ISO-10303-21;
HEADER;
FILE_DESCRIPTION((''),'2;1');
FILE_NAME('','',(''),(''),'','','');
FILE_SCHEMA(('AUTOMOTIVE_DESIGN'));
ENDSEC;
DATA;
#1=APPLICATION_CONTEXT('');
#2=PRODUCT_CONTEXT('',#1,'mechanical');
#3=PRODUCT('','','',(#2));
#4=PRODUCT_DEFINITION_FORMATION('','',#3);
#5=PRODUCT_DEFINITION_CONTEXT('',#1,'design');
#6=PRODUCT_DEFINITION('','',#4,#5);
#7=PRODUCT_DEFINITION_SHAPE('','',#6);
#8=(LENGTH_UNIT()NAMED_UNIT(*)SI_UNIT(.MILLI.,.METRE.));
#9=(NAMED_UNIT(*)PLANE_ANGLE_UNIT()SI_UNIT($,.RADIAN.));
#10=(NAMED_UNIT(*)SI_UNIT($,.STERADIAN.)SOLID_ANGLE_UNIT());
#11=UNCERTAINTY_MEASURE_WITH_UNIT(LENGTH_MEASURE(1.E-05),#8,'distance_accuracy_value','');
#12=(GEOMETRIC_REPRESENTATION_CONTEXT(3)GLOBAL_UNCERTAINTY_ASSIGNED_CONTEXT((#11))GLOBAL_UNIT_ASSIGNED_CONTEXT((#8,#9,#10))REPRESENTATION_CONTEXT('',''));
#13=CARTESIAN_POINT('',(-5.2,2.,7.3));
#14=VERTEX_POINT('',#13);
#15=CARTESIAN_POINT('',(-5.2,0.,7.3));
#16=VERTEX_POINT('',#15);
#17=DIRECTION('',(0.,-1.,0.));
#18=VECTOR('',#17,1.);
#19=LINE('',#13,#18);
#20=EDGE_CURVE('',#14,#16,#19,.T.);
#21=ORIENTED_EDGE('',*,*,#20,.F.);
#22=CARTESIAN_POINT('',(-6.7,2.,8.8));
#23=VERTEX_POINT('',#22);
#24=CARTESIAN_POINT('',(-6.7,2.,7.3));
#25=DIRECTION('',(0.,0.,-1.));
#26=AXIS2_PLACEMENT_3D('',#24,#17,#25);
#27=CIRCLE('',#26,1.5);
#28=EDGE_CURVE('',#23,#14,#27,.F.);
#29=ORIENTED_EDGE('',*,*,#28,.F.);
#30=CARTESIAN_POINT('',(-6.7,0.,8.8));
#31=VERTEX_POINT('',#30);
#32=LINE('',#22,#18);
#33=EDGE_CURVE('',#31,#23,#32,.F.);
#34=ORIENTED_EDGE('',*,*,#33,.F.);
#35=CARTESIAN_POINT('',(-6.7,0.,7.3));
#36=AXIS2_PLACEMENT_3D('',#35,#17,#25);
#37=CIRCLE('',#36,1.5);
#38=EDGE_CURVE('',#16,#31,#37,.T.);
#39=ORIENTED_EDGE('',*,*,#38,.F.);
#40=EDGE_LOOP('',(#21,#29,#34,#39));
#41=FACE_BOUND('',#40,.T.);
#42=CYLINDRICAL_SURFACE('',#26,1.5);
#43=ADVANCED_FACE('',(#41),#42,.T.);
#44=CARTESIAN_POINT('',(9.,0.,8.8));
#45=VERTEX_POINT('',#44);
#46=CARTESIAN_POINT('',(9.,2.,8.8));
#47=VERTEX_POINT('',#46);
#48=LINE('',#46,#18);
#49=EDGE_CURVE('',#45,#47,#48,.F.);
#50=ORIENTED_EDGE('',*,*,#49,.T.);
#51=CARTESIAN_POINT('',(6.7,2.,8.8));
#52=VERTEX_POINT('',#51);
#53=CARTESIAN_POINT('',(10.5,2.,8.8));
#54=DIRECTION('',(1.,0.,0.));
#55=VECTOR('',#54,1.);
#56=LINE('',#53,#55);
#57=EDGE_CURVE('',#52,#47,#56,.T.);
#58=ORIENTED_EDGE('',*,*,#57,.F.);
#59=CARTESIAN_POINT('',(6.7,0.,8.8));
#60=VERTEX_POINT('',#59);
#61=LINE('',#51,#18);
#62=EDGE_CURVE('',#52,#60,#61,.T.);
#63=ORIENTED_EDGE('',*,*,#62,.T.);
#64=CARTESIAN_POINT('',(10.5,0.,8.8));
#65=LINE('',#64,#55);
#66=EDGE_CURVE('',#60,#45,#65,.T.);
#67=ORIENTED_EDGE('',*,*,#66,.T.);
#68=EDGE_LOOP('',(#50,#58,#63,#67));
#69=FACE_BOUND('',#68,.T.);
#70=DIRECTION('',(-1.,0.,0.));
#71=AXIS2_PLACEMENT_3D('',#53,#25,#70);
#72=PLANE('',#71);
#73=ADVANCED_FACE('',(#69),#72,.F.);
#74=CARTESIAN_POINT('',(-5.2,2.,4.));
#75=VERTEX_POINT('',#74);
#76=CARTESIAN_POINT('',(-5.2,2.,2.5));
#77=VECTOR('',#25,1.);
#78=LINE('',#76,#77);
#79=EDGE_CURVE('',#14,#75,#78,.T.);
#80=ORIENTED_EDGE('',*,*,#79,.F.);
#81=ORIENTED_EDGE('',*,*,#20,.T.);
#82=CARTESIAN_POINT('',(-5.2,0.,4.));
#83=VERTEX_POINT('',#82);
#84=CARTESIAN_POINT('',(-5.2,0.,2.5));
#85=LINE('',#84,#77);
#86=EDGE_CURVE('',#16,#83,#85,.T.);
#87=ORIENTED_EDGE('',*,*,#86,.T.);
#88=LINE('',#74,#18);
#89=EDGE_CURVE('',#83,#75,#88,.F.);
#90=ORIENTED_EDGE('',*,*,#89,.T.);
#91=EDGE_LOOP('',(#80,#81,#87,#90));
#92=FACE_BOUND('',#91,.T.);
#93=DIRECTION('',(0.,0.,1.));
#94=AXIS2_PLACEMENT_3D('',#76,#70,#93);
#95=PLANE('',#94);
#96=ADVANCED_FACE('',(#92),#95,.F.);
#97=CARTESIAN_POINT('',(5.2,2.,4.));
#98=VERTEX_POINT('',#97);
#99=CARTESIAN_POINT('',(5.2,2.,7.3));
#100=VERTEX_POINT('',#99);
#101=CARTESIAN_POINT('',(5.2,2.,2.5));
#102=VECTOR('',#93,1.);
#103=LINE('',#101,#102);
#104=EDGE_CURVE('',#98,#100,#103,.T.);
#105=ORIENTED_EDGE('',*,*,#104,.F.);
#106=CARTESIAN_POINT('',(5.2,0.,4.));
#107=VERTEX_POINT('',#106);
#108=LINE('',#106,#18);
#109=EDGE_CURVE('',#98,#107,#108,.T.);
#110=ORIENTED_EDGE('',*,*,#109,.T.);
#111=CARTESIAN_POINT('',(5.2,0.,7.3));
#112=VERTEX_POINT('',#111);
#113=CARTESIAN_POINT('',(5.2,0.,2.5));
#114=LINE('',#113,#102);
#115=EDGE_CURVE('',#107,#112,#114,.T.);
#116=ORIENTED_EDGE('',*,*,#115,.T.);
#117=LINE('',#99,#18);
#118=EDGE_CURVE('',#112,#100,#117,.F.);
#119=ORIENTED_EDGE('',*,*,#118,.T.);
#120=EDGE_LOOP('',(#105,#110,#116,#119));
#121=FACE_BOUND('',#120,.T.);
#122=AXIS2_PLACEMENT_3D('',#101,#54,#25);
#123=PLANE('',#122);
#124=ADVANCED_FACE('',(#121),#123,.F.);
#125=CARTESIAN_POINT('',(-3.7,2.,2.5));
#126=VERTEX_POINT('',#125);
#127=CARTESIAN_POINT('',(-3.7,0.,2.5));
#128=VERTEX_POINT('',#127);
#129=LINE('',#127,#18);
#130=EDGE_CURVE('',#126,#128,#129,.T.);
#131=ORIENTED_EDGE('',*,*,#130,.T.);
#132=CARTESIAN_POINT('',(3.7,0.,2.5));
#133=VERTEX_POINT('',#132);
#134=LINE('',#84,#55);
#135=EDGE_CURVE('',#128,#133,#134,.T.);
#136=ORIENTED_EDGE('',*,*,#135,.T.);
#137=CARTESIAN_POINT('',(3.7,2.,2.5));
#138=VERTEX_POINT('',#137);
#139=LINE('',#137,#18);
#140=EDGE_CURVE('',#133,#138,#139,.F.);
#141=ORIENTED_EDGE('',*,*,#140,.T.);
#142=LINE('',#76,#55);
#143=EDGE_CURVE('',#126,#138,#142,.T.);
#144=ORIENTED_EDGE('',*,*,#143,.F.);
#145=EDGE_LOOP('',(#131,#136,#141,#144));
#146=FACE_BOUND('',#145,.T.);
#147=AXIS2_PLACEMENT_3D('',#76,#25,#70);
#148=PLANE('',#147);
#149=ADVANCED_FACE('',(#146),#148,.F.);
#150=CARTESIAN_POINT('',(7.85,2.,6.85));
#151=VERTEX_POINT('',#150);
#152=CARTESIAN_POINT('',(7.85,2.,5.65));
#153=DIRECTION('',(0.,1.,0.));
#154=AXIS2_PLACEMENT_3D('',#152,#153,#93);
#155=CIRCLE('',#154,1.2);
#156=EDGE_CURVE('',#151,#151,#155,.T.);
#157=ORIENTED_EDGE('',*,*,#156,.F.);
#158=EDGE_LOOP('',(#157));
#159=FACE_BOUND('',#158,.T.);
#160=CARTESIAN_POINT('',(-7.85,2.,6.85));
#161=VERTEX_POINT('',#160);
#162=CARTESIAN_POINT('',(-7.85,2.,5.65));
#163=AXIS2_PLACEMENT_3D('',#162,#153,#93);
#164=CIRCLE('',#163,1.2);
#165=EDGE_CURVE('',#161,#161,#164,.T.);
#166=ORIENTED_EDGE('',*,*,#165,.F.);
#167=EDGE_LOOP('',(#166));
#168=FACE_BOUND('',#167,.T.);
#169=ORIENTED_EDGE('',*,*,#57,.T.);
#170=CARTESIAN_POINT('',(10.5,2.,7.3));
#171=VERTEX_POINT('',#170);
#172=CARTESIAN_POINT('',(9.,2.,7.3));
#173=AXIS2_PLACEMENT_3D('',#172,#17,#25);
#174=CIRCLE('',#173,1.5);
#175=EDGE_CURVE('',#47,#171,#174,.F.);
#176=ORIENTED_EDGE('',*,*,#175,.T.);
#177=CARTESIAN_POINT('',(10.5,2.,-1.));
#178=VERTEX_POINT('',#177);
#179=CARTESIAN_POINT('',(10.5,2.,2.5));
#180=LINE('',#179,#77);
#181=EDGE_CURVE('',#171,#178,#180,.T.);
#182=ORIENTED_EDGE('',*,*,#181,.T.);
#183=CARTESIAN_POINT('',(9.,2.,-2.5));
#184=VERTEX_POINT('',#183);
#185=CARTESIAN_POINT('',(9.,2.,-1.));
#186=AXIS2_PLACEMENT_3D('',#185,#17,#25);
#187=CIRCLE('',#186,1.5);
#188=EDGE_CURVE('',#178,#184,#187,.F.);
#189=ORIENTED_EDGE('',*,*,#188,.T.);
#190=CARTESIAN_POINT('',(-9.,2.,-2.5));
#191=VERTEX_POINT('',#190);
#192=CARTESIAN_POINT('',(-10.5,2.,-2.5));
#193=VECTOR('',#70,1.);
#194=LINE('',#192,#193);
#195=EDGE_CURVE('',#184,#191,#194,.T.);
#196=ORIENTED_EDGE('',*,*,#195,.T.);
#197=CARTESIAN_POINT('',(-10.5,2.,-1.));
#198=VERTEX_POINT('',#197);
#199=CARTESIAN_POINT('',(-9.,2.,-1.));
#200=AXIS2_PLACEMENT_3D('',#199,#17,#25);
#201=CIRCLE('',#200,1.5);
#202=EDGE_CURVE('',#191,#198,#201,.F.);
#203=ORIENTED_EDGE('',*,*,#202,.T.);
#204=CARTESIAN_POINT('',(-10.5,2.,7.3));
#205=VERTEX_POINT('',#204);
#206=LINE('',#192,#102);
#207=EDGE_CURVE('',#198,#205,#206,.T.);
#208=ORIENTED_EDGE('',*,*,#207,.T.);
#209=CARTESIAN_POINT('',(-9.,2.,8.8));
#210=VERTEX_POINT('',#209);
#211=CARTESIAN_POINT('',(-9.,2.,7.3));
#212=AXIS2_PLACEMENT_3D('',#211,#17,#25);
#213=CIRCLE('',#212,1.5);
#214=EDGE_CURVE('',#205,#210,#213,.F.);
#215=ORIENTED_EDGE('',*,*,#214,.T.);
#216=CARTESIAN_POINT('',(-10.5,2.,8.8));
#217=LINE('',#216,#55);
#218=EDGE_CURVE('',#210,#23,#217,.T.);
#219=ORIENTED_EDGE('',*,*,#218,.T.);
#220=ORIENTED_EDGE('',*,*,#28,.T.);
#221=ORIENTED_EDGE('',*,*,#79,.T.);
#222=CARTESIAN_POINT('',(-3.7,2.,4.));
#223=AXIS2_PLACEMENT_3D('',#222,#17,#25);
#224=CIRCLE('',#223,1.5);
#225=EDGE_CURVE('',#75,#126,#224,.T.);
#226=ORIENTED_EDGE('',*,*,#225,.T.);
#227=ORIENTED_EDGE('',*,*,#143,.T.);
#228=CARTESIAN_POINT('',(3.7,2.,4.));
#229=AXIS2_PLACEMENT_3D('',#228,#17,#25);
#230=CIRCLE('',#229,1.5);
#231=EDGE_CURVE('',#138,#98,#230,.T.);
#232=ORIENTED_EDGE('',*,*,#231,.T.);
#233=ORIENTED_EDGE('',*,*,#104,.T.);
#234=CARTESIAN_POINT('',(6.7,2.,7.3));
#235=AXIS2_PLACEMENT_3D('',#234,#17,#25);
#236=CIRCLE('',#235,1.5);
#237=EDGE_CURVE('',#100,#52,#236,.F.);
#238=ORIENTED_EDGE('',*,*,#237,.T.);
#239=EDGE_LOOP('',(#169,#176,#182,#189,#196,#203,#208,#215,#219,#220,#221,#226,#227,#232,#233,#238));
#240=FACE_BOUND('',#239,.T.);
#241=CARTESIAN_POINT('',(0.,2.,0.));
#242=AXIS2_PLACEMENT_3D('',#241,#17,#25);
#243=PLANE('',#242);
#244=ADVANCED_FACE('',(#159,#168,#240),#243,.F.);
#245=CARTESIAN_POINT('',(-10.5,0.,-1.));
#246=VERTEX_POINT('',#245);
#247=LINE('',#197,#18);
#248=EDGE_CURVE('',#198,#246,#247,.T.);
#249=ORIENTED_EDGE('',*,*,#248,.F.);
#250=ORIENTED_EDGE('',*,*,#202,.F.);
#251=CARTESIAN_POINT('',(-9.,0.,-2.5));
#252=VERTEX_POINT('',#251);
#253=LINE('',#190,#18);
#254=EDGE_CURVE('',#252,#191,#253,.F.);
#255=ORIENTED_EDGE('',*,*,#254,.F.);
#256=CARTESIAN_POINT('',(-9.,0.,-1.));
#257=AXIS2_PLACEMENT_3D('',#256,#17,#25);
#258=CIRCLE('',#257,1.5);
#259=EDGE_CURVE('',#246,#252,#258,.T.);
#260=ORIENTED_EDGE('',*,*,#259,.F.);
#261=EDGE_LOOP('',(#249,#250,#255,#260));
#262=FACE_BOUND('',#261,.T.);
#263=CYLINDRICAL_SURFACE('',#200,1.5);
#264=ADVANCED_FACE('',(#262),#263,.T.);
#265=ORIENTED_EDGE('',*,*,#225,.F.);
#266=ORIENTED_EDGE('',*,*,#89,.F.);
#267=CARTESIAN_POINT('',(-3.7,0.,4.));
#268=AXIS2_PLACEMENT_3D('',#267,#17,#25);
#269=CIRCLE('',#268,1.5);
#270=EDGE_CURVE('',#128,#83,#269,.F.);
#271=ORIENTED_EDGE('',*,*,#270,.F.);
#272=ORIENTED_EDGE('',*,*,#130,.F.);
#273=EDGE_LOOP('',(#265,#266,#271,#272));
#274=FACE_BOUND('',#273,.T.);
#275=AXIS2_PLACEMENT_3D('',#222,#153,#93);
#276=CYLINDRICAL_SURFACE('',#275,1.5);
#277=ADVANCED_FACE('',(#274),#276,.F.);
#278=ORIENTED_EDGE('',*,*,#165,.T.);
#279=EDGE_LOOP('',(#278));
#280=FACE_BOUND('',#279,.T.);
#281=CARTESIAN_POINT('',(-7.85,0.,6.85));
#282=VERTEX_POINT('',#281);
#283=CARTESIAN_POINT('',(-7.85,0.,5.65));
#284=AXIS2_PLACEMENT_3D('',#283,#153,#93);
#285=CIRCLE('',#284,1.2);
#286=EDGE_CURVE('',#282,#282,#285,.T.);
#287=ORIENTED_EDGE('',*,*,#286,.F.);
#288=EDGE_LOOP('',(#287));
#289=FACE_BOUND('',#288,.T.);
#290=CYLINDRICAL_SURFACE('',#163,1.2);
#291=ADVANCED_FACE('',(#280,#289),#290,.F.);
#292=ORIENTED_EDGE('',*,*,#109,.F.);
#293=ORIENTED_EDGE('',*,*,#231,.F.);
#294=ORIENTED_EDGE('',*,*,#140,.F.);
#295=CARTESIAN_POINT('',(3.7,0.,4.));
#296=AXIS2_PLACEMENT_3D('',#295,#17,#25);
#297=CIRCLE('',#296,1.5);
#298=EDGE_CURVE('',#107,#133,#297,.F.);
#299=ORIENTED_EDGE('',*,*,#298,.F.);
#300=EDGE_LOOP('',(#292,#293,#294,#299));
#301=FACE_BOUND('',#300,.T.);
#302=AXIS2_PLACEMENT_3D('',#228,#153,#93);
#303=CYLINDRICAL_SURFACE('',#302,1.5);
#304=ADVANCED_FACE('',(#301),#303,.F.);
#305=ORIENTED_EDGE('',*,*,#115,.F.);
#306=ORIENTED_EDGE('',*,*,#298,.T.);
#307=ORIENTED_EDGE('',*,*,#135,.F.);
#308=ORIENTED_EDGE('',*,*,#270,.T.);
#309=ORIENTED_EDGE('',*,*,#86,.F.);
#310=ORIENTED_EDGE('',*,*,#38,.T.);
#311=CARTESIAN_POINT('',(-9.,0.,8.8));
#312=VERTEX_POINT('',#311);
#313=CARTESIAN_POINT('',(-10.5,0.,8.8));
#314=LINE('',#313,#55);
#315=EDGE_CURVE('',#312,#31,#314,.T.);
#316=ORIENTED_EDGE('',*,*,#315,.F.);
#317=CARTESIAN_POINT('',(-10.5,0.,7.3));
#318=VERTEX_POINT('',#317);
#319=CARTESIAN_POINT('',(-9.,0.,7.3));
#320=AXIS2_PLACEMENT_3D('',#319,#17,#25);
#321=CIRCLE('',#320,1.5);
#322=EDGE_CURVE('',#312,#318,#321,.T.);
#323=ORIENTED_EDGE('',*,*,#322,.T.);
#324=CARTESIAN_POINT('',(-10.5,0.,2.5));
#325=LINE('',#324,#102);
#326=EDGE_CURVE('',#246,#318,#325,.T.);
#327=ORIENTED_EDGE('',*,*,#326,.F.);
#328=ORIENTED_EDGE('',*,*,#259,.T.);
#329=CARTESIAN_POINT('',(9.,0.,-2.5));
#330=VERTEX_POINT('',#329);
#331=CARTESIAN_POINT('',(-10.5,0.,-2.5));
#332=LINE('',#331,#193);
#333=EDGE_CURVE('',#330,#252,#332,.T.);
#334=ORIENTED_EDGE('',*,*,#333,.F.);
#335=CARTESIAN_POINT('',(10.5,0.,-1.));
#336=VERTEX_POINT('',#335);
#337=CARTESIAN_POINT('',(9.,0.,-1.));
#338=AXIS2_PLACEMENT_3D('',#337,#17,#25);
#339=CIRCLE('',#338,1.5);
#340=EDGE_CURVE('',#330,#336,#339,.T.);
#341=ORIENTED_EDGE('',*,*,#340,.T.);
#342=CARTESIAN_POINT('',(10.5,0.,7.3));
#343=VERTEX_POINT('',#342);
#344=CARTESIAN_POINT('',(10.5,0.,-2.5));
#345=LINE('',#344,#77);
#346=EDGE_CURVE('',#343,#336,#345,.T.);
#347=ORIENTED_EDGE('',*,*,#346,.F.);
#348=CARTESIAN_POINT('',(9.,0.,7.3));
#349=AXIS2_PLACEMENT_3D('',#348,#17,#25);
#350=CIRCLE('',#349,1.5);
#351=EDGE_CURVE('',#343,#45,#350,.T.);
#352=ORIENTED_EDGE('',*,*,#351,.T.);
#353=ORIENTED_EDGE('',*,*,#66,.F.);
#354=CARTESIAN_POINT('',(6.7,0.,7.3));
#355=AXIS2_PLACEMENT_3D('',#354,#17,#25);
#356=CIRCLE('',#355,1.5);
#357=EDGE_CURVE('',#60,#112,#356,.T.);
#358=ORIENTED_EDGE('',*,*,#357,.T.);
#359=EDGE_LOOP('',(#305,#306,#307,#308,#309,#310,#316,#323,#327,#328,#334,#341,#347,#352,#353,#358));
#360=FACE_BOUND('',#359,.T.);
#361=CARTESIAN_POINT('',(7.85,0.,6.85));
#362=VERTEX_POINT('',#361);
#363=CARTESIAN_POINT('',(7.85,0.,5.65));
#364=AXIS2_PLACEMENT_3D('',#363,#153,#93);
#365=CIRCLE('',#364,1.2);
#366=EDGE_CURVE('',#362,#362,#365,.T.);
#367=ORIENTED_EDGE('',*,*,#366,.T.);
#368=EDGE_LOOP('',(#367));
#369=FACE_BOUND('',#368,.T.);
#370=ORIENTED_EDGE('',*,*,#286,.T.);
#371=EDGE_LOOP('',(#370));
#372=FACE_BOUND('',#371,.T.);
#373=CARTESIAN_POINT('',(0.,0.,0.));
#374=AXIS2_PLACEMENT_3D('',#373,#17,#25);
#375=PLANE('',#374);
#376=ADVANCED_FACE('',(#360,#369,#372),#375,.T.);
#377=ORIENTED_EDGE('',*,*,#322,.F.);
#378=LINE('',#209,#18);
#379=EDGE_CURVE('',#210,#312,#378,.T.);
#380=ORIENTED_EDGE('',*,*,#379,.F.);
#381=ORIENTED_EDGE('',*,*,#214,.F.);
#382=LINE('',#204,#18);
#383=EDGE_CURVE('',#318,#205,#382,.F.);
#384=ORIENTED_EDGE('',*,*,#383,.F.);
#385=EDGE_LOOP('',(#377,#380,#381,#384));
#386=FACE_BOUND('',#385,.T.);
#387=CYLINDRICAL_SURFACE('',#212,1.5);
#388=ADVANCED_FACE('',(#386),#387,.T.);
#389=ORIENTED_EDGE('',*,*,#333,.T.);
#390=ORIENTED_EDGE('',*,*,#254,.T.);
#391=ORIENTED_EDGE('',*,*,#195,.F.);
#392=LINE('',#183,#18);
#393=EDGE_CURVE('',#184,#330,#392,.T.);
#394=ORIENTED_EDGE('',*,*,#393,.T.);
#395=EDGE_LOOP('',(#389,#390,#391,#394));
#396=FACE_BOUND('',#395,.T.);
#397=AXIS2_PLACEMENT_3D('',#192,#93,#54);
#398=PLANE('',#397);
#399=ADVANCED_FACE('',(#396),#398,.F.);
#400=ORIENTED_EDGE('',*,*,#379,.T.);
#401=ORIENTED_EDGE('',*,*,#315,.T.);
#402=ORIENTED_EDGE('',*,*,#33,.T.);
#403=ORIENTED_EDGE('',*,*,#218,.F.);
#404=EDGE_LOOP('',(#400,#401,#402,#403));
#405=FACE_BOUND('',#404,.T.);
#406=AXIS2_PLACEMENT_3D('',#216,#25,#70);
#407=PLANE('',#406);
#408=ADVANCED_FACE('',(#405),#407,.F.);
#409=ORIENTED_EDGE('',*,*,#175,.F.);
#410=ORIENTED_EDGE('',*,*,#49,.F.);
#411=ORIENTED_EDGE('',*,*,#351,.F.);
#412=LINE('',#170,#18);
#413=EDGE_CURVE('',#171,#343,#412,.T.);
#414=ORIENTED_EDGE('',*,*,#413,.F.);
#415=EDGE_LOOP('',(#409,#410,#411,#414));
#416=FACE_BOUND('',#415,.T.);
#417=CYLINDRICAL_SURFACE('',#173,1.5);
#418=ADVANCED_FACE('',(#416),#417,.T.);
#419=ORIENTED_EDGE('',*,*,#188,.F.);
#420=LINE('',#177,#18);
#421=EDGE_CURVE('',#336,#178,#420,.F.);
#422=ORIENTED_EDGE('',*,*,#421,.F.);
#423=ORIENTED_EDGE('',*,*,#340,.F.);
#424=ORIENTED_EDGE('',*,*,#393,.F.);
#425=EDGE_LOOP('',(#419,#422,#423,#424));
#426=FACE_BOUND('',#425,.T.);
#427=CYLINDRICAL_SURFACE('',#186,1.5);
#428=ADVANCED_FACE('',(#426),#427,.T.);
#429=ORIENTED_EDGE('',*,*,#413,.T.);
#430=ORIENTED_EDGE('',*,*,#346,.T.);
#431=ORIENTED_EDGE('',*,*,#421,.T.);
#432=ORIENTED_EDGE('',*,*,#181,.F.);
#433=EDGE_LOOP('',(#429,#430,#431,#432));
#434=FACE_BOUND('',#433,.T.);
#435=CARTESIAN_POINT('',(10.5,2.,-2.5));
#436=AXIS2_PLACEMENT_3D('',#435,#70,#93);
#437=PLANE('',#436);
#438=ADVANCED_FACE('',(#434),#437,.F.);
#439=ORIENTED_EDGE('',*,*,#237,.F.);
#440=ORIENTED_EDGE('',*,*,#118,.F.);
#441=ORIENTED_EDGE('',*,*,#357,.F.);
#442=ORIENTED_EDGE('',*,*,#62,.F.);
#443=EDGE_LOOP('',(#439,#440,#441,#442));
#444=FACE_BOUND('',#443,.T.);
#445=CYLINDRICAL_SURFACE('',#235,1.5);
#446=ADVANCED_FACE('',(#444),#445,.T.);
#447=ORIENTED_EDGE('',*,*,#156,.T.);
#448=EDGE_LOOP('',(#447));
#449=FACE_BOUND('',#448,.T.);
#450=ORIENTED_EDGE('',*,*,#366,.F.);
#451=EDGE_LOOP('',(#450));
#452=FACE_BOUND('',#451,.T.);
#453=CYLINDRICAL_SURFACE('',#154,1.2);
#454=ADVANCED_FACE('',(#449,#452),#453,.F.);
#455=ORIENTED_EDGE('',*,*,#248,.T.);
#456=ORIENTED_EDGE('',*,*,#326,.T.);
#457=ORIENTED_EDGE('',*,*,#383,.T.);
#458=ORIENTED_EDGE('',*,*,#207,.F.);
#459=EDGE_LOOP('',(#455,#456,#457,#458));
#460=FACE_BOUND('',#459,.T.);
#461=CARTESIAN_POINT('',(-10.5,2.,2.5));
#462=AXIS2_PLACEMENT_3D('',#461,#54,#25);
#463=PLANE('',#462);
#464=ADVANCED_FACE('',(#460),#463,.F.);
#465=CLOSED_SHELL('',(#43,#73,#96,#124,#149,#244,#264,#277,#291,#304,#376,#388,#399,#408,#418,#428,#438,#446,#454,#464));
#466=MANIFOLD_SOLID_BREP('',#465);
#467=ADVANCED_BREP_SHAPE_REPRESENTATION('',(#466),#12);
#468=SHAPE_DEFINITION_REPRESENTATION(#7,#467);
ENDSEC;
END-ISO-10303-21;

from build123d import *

# Parameters (mm, degrees)
BOSS_EXTRUDE1_DEPTH  = 2
M2_CLEARANCE_HOLE1_D = 2.4
FILLET1_R            = 1.5


with BuildPart() as part:
    # Sketch1 → Boss-Extrude1 (new body)
    with BuildSketch(Plane(origin=(0, 0, 0), x_dir=(1, 0, 0), z_dir=(0, 1, 0))):
        Polygon((-10.5, 2.5), (10.5, 2.5), (10.5, -2.5), (10.5, -8.8), (5.2, -8.8), (5.2, -2.5), (-5.2, -2.5), (-5.2, -8.8), (-10.5, -8.8), (-10.5, -2.5), align=None)
    extrude(amount=BOSS_EXTRUDE1_DEPTH)

    # M2 Clearance Hole1 (through all)
    with Locations(Plane(origin=(0, 2, 0), x_dir=(1, 0, 0), z_dir=(0, 1, 0))):
        with Locations((-7.85, -5.65), (7.85, -5.65)):
            Hole(M2_CLEARANCE_HOLE1_D / 2)

    # Fillet1
    fillet1_edges = [part.edges().sort_by_distance(p)[0] for p in [
        (10.5, 1, 8.8),
        (5.2, 1, 8.8),
        (5.2, 1, 2.5),
        (-5.2, 1, 2.5),
        (-5.2, 1, 8.8),
        (-10.5, 1, 8.8),
        (-10.5, 1, -2.5),
        (10.5, 1, -2.5),
    ]]
    fillet(fillet1_edges, radius=FILLET1_R)


solid = part.part
